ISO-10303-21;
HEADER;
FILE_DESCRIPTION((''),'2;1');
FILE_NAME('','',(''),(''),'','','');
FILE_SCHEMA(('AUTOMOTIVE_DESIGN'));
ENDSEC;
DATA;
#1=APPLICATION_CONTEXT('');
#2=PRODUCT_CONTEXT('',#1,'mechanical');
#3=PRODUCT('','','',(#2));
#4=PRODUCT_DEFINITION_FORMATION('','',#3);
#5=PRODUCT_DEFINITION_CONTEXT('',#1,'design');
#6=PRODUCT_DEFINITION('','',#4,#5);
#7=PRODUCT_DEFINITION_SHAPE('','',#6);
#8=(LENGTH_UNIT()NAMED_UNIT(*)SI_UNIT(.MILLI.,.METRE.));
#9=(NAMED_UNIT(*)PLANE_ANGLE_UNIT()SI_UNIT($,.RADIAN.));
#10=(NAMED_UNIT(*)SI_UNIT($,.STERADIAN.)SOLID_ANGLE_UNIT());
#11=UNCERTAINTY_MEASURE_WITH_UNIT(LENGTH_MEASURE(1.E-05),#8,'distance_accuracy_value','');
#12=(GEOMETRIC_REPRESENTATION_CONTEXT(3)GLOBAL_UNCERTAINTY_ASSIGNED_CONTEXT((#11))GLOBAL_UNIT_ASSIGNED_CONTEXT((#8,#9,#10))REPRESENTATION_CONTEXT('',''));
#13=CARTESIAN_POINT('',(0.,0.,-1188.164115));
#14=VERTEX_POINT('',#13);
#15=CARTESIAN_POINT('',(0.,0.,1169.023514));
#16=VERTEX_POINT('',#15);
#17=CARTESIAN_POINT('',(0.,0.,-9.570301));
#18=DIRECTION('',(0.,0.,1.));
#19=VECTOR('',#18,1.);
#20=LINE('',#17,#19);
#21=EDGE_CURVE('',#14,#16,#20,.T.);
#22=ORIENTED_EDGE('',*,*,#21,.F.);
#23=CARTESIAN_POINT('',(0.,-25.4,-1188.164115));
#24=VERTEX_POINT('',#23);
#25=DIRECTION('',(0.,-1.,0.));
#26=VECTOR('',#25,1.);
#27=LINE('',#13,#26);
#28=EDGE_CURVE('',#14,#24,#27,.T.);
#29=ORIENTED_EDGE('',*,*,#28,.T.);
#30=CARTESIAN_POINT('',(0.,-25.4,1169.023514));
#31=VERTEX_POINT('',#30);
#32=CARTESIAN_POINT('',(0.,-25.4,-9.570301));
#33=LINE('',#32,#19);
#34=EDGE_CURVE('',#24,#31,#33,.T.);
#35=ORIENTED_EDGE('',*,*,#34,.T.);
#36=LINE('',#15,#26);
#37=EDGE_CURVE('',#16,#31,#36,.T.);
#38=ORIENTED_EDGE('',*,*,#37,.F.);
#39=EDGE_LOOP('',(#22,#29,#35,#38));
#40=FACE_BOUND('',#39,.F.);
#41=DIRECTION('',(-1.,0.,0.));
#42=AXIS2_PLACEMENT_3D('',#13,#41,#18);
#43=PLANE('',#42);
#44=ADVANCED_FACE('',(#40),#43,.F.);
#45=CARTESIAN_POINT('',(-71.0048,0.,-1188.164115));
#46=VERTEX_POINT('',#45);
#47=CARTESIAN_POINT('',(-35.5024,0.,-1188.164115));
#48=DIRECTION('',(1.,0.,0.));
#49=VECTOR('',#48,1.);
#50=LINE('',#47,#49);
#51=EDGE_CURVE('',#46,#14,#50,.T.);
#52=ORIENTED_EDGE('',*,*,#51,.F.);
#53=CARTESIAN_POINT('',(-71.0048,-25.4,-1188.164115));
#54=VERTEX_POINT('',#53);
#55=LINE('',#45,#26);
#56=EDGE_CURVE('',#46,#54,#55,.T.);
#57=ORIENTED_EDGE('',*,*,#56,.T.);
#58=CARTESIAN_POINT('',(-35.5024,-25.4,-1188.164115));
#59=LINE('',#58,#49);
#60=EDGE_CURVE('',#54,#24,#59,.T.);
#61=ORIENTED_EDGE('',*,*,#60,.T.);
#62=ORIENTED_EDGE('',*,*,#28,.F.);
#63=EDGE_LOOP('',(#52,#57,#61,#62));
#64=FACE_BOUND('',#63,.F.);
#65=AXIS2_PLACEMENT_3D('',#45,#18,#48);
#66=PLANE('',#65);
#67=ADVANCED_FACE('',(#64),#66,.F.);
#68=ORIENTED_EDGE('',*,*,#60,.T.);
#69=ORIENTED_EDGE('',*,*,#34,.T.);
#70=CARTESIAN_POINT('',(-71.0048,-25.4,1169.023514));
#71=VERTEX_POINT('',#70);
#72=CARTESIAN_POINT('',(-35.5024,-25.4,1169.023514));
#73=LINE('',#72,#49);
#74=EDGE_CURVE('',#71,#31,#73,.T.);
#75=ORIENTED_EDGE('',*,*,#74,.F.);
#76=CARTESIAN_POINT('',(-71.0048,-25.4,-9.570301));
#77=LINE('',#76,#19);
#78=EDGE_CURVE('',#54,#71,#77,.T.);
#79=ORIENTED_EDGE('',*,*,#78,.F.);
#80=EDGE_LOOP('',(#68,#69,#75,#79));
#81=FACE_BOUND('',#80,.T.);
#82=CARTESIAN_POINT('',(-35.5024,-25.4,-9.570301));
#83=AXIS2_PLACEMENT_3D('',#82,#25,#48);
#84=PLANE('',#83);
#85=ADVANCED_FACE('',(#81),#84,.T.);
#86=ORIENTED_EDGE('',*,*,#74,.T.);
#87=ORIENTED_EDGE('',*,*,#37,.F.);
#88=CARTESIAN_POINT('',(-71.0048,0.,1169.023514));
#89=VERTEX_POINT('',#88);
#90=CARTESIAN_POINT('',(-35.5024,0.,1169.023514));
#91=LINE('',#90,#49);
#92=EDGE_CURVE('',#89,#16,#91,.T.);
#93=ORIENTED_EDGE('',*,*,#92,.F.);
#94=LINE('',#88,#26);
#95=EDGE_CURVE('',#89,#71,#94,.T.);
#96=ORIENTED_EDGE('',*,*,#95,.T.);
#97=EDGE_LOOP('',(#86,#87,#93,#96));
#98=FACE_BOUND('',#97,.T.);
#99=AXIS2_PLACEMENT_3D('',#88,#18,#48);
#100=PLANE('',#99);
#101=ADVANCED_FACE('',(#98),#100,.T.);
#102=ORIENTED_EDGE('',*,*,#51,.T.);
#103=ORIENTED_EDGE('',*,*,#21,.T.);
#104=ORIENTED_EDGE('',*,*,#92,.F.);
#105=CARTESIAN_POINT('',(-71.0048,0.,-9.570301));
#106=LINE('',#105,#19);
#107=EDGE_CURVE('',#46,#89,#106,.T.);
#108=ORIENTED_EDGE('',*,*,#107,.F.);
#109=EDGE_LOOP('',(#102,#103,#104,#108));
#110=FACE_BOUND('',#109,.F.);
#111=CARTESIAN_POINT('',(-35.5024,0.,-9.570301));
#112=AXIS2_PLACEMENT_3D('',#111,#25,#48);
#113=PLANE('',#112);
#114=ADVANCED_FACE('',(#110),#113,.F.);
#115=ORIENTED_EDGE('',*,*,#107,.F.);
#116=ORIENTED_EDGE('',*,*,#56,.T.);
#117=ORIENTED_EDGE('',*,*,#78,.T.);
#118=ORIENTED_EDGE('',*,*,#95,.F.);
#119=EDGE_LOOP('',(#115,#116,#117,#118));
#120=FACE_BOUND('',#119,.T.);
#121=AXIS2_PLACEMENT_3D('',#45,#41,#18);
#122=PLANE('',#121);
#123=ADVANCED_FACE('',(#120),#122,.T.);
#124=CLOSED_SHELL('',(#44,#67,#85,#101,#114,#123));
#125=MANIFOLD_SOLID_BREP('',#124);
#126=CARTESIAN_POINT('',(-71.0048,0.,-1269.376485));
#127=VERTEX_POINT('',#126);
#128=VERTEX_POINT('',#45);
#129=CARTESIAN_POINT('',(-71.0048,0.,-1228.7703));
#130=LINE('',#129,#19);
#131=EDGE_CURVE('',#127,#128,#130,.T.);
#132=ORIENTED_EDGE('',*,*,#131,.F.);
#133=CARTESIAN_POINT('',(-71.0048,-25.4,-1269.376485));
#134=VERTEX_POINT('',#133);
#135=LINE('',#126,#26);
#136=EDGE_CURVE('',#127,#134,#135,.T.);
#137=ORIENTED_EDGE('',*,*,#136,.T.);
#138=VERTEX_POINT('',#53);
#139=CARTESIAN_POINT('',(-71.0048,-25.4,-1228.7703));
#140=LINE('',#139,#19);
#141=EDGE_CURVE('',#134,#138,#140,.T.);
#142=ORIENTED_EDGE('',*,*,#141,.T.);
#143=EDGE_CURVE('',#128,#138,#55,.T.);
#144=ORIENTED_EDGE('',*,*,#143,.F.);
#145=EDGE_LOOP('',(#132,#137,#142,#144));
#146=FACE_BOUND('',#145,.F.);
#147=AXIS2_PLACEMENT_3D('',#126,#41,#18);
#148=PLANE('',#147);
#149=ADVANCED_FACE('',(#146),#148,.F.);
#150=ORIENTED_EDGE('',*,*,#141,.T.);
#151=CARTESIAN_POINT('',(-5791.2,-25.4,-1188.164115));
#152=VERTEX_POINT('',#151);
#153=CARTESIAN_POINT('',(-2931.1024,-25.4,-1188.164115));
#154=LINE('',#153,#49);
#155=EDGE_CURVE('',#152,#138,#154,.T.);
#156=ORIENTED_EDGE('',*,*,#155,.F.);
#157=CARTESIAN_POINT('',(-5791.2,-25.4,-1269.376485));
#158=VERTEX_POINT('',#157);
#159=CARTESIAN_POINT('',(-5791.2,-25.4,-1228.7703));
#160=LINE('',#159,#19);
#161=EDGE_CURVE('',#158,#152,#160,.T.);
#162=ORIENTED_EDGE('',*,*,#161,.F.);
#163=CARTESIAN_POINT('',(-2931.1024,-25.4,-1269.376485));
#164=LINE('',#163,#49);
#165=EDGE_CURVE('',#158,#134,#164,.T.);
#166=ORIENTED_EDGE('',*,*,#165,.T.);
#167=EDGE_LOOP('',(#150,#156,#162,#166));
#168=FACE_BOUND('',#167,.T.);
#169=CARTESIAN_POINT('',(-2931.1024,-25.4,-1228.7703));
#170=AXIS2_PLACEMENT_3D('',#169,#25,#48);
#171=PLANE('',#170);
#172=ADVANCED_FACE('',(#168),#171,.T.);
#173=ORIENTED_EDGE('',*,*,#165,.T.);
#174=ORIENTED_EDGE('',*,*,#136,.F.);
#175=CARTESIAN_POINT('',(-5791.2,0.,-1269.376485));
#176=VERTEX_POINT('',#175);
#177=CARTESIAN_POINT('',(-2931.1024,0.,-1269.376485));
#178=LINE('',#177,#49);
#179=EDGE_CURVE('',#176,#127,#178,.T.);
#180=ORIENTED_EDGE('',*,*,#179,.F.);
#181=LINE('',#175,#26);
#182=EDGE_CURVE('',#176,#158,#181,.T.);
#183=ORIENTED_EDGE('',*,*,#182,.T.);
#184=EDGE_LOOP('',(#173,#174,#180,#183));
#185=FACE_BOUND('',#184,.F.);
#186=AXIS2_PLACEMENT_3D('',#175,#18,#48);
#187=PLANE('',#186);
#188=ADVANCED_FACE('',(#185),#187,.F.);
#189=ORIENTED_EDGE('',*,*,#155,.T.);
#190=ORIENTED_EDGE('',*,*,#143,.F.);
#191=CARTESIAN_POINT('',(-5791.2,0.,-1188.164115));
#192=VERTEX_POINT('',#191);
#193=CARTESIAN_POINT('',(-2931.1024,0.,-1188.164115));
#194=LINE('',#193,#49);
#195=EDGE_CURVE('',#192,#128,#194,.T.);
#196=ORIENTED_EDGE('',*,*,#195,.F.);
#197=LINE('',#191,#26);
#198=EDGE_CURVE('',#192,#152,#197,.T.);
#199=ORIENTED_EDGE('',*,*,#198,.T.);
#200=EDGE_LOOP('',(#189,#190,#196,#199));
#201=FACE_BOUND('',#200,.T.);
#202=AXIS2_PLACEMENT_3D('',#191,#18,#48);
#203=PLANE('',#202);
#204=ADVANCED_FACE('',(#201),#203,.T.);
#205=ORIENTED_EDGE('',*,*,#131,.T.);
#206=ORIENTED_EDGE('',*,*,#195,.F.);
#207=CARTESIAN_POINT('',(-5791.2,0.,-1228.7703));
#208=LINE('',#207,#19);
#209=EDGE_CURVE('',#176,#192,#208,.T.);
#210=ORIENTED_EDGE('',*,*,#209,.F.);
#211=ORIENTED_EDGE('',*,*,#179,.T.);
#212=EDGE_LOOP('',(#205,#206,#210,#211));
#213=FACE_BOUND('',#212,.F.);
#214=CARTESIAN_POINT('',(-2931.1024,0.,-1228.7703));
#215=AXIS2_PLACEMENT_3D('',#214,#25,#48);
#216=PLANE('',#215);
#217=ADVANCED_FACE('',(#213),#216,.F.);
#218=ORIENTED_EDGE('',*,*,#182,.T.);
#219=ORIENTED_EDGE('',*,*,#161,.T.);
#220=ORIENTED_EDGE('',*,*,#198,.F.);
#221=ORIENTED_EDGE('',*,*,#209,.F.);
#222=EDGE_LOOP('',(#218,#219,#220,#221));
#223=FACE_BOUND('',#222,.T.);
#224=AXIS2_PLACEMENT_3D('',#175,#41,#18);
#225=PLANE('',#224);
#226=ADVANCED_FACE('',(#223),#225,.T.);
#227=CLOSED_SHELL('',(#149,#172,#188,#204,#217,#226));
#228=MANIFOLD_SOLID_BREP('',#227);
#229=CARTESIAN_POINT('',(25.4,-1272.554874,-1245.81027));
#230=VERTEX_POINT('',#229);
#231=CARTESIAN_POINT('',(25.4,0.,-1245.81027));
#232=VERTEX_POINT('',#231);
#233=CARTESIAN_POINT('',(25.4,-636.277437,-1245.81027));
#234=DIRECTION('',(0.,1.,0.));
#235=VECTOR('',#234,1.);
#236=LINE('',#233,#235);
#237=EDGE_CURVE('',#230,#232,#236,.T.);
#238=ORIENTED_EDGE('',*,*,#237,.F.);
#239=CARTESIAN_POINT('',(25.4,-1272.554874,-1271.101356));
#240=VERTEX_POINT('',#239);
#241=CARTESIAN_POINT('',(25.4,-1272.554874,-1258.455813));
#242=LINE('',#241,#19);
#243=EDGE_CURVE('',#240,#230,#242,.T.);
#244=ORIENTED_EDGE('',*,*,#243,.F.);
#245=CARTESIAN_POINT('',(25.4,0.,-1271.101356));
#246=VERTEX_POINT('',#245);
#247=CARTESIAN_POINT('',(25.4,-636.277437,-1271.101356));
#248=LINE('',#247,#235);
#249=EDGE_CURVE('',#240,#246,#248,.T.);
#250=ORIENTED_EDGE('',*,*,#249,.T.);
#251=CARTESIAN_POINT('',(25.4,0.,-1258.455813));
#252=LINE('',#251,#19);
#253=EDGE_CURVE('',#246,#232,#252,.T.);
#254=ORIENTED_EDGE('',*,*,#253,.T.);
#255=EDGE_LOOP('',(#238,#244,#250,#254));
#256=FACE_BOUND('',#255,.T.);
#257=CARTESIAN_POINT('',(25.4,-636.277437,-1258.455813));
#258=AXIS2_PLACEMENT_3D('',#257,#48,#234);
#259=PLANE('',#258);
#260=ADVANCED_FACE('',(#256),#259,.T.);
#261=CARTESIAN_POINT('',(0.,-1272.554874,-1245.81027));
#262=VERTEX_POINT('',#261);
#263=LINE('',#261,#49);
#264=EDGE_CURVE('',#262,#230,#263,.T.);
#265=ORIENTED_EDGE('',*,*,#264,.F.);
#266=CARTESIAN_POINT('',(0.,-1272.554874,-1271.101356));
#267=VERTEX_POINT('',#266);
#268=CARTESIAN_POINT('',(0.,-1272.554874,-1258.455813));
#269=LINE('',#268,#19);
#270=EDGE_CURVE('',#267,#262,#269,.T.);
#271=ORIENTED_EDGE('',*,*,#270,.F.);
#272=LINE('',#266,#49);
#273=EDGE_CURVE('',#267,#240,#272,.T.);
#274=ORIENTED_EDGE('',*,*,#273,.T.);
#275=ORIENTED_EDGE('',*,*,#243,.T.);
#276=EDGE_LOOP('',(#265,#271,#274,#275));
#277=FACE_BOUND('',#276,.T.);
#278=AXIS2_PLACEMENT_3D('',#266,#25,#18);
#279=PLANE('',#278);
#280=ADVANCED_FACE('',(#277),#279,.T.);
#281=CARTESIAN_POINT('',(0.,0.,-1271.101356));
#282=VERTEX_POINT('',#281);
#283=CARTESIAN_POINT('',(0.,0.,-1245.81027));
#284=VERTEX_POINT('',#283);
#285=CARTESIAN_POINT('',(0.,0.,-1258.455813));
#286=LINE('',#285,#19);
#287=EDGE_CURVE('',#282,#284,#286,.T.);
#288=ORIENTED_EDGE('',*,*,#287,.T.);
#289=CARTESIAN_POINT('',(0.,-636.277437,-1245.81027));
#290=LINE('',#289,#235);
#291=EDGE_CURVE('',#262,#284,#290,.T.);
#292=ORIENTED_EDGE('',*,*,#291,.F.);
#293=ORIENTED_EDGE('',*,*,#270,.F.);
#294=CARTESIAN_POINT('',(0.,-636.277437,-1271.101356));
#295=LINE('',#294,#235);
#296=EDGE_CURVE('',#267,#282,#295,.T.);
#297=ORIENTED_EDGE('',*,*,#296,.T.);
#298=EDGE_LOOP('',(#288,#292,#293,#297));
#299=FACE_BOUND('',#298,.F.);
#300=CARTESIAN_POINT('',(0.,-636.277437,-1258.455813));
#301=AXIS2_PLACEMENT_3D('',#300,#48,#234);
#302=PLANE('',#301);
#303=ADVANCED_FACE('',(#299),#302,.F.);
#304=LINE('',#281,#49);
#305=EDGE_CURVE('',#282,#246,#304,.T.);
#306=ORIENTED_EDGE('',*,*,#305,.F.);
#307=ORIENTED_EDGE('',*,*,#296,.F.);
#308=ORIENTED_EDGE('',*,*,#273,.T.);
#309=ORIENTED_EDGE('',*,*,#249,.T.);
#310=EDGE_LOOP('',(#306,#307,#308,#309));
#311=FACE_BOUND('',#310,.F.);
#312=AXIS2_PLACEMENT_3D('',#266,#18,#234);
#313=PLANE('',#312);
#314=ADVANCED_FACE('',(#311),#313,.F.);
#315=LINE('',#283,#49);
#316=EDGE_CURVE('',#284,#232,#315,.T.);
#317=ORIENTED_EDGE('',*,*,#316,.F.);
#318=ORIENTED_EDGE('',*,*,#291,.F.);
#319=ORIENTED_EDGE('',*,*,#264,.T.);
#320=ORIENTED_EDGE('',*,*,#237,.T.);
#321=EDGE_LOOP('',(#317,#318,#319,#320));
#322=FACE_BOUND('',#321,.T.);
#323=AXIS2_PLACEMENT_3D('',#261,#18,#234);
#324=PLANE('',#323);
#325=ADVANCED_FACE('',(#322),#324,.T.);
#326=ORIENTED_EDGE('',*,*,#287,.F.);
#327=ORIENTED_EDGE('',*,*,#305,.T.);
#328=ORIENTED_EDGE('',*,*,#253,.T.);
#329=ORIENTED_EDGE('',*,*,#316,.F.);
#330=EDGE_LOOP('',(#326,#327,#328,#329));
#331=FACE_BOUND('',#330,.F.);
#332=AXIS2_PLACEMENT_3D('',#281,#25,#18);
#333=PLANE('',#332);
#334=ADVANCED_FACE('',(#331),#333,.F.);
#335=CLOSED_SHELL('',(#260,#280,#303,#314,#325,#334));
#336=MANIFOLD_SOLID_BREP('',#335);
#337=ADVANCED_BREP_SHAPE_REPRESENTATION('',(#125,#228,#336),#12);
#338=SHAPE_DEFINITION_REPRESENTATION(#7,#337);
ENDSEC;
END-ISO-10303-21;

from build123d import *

# Parameters (mm, degrees)
F0_W     = 71.0048
F0_H     = 2357.187629
F1_DEPTH = 25.4
F0_W_2   = 5720.1952
F0_H_2   = 81.212371
F2_DEPTH = 25.4
F3_W     = 1272.554874
F3_H     = 25.291086
F4_DEPTH = 25.4


with BuildPart() as f1:
    # F0 (on Front) → F1 (new body)
    with BuildSketch(Plane.XZ):
        with Locations((-35.5024, -9.570301)):
            Rectangle(F0_W, F0_H)
    extrude(amount=F1_DEPTH)


with BuildPart() as f2:
    # F0 (on Front) → F2 (new body)
    with BuildSketch(Plane.XZ):
        with Locations((-2931.1024, -1228.7703)):
            Rectangle(F0_W_2, F0_H_2)
    extrude(amount=F2_DEPTH)


with BuildPart() as f4:
    # F3 (on Right) → F4 (new body)
    with BuildSketch(Plane.YZ):
        with Locations((-636.277437, -1258.455813)):
            Rectangle(F3_W, F3_H)
    extrude(amount=F4_DEPTH)


solid = Compound([f1.part, f2.part, f4.part])
